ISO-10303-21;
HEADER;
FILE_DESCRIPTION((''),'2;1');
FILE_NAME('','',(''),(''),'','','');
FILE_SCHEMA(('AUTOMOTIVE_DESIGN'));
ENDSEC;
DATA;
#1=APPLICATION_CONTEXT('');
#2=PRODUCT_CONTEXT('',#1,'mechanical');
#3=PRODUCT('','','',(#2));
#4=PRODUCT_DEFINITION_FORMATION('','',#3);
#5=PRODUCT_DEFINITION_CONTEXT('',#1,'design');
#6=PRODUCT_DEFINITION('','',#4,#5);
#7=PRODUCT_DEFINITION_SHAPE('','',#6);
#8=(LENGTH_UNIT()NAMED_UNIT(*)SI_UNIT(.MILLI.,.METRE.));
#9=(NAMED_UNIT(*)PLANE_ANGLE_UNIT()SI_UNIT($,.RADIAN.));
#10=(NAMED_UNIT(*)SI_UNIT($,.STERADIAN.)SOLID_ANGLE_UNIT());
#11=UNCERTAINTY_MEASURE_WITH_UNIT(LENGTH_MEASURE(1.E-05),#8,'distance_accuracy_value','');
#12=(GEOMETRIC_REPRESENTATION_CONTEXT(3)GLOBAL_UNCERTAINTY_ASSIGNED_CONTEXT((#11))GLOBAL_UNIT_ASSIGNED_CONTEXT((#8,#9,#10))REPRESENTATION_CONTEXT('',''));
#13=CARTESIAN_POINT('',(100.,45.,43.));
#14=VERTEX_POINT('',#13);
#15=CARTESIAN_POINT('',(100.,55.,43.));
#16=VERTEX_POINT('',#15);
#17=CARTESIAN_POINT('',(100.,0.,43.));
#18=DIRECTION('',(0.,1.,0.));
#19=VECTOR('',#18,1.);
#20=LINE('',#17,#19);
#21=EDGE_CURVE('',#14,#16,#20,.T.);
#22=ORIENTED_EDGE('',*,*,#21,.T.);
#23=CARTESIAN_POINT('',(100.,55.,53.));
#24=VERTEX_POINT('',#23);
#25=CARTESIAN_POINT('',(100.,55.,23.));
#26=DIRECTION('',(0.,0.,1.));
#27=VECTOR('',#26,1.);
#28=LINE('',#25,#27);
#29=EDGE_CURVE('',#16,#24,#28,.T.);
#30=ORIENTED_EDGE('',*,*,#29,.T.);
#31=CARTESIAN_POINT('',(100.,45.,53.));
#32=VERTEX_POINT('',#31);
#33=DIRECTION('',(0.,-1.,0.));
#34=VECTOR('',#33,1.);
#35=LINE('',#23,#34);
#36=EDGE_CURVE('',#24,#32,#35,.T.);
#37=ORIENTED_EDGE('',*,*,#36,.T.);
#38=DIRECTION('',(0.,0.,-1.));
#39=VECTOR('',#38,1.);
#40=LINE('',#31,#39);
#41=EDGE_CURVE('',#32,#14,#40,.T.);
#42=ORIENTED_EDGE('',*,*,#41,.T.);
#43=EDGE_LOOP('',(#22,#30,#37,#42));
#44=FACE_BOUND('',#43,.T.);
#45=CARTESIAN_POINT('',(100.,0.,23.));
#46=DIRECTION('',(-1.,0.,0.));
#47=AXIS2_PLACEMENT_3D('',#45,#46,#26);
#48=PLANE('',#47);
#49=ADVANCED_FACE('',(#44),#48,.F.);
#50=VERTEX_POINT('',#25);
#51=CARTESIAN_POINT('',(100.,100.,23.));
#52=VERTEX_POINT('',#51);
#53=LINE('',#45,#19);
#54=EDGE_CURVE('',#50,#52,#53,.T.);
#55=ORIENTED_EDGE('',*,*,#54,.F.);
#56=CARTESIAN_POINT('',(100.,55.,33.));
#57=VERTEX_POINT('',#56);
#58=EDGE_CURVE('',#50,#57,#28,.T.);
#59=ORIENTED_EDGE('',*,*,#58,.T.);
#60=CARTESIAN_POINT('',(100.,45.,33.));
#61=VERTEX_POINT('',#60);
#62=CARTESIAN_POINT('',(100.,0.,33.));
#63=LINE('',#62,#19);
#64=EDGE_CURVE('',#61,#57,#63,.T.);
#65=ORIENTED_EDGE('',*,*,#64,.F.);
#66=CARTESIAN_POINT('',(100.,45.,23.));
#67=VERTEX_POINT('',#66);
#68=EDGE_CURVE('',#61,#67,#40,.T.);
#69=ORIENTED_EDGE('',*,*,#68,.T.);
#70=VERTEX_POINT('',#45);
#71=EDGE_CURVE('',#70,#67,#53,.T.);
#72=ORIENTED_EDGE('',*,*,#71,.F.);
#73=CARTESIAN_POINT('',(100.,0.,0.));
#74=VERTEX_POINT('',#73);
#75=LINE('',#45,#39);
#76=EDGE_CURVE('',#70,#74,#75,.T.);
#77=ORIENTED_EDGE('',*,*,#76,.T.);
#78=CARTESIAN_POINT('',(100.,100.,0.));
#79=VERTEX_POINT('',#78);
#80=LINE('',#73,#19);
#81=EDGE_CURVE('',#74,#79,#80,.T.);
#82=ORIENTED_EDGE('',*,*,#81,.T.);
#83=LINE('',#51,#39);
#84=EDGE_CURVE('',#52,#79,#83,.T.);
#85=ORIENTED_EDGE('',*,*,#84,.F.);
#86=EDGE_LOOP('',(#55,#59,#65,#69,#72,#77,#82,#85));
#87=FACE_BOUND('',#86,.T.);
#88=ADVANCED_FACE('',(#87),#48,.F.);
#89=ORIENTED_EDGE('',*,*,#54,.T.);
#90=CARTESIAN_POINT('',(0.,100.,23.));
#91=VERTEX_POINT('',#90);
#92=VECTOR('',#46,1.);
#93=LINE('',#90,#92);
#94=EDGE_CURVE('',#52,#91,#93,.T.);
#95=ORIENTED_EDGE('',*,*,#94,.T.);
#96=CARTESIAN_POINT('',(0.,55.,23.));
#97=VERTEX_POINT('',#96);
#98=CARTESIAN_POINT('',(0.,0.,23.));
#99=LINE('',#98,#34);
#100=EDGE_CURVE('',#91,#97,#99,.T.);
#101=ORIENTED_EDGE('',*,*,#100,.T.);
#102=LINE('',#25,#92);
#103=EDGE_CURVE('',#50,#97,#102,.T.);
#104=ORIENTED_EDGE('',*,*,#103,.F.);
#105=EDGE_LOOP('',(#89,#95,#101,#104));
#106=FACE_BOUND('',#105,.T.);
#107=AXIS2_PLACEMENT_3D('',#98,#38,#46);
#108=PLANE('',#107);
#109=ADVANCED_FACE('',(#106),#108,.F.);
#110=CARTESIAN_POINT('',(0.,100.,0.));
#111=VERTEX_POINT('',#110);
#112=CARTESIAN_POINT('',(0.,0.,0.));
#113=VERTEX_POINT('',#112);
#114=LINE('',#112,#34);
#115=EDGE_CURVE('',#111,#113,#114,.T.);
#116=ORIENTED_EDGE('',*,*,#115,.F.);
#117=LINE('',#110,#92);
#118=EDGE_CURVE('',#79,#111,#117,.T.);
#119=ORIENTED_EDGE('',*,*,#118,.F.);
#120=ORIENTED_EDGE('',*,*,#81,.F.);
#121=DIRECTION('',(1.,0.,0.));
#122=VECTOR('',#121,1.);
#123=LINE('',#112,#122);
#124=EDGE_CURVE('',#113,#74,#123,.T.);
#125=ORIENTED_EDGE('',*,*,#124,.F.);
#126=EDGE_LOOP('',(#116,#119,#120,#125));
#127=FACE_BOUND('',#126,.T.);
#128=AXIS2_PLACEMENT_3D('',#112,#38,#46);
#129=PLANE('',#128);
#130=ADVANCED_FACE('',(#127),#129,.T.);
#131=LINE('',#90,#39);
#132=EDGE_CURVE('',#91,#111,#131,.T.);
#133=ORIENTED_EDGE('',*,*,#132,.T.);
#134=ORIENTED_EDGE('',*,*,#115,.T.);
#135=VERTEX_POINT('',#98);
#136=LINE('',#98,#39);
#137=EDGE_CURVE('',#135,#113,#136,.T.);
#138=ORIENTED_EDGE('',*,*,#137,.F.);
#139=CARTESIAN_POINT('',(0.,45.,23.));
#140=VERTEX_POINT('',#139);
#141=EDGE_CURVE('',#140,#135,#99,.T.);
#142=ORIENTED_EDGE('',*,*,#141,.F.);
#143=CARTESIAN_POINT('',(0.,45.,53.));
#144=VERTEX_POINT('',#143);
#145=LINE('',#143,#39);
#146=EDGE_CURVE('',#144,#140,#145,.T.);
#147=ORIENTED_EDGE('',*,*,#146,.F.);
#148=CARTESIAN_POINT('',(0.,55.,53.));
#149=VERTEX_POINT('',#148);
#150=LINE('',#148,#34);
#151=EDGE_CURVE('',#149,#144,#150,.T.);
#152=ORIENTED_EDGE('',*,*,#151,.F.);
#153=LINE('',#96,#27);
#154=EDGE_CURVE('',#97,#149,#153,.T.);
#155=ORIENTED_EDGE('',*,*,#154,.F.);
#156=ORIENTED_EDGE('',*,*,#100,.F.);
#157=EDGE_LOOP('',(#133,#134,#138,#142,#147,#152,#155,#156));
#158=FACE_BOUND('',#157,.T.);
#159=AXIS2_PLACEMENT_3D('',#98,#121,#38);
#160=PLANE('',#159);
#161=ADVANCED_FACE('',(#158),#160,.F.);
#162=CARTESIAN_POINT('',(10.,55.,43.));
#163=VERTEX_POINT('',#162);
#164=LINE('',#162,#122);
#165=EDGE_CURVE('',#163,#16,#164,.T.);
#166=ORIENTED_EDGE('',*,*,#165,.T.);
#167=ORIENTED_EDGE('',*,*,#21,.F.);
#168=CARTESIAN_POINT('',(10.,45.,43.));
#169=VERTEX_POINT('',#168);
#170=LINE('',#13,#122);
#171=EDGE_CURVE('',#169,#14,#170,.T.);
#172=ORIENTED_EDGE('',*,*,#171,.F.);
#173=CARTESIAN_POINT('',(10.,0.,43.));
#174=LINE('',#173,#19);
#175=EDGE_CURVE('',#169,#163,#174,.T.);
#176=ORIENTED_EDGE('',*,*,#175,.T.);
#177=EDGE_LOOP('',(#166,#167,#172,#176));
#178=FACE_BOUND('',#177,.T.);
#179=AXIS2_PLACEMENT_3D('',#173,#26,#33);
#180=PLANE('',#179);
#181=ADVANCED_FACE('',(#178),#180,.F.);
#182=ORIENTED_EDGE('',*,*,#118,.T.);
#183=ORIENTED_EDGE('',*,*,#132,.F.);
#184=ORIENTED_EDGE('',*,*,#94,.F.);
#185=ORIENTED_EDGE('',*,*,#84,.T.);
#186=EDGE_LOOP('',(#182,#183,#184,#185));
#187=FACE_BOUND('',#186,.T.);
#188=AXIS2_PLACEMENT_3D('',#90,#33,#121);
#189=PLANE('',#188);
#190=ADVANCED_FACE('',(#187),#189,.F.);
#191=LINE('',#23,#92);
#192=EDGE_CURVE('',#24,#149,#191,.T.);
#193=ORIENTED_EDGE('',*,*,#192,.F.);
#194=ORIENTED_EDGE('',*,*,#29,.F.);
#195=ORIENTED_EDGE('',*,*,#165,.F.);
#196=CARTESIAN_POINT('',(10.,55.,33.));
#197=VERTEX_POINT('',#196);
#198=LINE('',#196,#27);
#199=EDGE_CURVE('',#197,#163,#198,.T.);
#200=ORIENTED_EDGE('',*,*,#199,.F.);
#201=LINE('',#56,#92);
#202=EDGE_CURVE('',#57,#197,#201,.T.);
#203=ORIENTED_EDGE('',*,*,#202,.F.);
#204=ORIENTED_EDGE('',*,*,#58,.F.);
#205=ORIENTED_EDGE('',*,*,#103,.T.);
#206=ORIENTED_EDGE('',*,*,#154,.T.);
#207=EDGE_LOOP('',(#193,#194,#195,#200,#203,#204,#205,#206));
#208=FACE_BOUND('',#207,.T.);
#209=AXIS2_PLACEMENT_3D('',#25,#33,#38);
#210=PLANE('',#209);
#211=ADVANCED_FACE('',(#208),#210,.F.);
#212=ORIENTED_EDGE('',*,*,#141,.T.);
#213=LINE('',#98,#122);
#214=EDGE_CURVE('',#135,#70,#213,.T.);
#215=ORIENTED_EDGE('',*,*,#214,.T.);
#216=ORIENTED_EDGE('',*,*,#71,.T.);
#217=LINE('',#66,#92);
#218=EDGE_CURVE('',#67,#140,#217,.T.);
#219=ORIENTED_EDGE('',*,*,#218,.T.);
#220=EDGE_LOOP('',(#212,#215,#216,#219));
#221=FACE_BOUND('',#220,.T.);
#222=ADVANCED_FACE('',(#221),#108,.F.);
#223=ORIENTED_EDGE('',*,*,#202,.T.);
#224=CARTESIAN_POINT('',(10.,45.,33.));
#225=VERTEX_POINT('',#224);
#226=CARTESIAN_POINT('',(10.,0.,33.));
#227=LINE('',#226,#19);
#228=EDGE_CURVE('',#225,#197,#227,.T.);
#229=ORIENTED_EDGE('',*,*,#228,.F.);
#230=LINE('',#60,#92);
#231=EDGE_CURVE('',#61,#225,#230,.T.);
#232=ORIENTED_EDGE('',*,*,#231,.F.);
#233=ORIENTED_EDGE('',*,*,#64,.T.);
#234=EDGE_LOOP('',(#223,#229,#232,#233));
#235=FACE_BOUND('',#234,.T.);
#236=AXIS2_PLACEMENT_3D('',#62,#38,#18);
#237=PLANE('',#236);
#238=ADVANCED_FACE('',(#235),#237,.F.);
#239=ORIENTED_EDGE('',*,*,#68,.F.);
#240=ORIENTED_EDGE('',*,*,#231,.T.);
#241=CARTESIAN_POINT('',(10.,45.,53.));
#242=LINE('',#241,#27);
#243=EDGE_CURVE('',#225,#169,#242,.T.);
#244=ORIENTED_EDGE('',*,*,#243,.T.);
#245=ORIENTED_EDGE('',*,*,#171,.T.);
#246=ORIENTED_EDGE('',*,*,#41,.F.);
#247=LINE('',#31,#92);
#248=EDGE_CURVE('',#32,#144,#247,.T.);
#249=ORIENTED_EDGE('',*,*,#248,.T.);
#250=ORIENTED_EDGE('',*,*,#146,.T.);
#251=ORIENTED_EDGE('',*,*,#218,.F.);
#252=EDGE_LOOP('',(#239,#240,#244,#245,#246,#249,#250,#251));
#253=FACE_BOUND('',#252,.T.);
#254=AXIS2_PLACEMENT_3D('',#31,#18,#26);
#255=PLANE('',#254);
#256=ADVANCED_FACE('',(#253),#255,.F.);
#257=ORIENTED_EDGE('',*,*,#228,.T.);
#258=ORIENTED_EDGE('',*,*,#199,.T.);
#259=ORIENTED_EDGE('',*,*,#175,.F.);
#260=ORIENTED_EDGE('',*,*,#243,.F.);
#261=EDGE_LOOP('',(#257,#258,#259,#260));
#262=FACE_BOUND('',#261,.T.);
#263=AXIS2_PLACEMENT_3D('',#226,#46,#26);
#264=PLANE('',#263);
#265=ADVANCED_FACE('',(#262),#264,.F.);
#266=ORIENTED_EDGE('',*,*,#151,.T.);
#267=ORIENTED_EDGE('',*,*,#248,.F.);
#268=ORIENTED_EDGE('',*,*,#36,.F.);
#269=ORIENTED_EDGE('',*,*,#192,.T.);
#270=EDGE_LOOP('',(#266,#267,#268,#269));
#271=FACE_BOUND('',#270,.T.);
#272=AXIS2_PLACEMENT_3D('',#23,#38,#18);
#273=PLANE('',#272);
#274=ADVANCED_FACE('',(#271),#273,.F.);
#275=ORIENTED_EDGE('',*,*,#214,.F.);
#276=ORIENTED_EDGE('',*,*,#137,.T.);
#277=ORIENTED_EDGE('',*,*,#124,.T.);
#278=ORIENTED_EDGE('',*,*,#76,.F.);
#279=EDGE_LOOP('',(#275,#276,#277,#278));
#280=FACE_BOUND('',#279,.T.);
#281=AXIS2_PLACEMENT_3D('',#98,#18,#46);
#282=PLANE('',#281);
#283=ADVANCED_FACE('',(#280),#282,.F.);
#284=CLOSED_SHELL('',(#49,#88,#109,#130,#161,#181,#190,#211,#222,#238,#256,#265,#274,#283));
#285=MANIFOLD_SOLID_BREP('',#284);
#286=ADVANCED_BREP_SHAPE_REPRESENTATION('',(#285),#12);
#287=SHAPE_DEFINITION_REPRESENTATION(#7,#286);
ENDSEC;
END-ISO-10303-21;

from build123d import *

# Parameters (mm, degrees)
SKETCH1_W           = 100
SKETCH1_H           = 100
BOSS_EXTRUDE1_DEPTH = 23
SKETCH17_W          = 30
SKETCH17_H          = 10
BOSS_EXTRUDE2_DEPTH = 100
SKETCH18_W          = 90
SKETCH18_H          = 10
CUT_EXTRUDE1_DEPTH  = 126.833222958


with BuildPart() as part:
    # Sketch1 → Boss-Extrude1 (new body)
    with BuildSketch(Plane.XY):
        with Locations((50, 50)):
            Rectangle(SKETCH1_W, SKETCH1_H)
    extrude(amount=BOSS_EXTRUDE1_DEPTH)

    # Sketch17 → Boss-Extrude2 (add, through all)
    with BuildSketch(Plane(origin=(0, 0, 0), x_dir=(0, 0, -1), z_dir=(1, 0, 0))):
        with Locations((-38, 50)):
            Rectangle(SKETCH17_W, SKETCH17_H)
    extrude(amount=BOSS_EXTRUDE2_DEPTH)

    # Sketch18 → Cut-Extrude1 (cut, through all)
    with BuildSketch(Plane(origin=(0, 55, 0), x_dir=(1, 0, 0), z_dir=(0, 1, 0))):
        with Locations((55, -38)):
            Rectangle(SKETCH18_W, SKETCH18_H)
    extrude(amount=-CUT_EXTRUDE1_DEPTH, mode=Mode.SUBTRACT)


solid = part.part
